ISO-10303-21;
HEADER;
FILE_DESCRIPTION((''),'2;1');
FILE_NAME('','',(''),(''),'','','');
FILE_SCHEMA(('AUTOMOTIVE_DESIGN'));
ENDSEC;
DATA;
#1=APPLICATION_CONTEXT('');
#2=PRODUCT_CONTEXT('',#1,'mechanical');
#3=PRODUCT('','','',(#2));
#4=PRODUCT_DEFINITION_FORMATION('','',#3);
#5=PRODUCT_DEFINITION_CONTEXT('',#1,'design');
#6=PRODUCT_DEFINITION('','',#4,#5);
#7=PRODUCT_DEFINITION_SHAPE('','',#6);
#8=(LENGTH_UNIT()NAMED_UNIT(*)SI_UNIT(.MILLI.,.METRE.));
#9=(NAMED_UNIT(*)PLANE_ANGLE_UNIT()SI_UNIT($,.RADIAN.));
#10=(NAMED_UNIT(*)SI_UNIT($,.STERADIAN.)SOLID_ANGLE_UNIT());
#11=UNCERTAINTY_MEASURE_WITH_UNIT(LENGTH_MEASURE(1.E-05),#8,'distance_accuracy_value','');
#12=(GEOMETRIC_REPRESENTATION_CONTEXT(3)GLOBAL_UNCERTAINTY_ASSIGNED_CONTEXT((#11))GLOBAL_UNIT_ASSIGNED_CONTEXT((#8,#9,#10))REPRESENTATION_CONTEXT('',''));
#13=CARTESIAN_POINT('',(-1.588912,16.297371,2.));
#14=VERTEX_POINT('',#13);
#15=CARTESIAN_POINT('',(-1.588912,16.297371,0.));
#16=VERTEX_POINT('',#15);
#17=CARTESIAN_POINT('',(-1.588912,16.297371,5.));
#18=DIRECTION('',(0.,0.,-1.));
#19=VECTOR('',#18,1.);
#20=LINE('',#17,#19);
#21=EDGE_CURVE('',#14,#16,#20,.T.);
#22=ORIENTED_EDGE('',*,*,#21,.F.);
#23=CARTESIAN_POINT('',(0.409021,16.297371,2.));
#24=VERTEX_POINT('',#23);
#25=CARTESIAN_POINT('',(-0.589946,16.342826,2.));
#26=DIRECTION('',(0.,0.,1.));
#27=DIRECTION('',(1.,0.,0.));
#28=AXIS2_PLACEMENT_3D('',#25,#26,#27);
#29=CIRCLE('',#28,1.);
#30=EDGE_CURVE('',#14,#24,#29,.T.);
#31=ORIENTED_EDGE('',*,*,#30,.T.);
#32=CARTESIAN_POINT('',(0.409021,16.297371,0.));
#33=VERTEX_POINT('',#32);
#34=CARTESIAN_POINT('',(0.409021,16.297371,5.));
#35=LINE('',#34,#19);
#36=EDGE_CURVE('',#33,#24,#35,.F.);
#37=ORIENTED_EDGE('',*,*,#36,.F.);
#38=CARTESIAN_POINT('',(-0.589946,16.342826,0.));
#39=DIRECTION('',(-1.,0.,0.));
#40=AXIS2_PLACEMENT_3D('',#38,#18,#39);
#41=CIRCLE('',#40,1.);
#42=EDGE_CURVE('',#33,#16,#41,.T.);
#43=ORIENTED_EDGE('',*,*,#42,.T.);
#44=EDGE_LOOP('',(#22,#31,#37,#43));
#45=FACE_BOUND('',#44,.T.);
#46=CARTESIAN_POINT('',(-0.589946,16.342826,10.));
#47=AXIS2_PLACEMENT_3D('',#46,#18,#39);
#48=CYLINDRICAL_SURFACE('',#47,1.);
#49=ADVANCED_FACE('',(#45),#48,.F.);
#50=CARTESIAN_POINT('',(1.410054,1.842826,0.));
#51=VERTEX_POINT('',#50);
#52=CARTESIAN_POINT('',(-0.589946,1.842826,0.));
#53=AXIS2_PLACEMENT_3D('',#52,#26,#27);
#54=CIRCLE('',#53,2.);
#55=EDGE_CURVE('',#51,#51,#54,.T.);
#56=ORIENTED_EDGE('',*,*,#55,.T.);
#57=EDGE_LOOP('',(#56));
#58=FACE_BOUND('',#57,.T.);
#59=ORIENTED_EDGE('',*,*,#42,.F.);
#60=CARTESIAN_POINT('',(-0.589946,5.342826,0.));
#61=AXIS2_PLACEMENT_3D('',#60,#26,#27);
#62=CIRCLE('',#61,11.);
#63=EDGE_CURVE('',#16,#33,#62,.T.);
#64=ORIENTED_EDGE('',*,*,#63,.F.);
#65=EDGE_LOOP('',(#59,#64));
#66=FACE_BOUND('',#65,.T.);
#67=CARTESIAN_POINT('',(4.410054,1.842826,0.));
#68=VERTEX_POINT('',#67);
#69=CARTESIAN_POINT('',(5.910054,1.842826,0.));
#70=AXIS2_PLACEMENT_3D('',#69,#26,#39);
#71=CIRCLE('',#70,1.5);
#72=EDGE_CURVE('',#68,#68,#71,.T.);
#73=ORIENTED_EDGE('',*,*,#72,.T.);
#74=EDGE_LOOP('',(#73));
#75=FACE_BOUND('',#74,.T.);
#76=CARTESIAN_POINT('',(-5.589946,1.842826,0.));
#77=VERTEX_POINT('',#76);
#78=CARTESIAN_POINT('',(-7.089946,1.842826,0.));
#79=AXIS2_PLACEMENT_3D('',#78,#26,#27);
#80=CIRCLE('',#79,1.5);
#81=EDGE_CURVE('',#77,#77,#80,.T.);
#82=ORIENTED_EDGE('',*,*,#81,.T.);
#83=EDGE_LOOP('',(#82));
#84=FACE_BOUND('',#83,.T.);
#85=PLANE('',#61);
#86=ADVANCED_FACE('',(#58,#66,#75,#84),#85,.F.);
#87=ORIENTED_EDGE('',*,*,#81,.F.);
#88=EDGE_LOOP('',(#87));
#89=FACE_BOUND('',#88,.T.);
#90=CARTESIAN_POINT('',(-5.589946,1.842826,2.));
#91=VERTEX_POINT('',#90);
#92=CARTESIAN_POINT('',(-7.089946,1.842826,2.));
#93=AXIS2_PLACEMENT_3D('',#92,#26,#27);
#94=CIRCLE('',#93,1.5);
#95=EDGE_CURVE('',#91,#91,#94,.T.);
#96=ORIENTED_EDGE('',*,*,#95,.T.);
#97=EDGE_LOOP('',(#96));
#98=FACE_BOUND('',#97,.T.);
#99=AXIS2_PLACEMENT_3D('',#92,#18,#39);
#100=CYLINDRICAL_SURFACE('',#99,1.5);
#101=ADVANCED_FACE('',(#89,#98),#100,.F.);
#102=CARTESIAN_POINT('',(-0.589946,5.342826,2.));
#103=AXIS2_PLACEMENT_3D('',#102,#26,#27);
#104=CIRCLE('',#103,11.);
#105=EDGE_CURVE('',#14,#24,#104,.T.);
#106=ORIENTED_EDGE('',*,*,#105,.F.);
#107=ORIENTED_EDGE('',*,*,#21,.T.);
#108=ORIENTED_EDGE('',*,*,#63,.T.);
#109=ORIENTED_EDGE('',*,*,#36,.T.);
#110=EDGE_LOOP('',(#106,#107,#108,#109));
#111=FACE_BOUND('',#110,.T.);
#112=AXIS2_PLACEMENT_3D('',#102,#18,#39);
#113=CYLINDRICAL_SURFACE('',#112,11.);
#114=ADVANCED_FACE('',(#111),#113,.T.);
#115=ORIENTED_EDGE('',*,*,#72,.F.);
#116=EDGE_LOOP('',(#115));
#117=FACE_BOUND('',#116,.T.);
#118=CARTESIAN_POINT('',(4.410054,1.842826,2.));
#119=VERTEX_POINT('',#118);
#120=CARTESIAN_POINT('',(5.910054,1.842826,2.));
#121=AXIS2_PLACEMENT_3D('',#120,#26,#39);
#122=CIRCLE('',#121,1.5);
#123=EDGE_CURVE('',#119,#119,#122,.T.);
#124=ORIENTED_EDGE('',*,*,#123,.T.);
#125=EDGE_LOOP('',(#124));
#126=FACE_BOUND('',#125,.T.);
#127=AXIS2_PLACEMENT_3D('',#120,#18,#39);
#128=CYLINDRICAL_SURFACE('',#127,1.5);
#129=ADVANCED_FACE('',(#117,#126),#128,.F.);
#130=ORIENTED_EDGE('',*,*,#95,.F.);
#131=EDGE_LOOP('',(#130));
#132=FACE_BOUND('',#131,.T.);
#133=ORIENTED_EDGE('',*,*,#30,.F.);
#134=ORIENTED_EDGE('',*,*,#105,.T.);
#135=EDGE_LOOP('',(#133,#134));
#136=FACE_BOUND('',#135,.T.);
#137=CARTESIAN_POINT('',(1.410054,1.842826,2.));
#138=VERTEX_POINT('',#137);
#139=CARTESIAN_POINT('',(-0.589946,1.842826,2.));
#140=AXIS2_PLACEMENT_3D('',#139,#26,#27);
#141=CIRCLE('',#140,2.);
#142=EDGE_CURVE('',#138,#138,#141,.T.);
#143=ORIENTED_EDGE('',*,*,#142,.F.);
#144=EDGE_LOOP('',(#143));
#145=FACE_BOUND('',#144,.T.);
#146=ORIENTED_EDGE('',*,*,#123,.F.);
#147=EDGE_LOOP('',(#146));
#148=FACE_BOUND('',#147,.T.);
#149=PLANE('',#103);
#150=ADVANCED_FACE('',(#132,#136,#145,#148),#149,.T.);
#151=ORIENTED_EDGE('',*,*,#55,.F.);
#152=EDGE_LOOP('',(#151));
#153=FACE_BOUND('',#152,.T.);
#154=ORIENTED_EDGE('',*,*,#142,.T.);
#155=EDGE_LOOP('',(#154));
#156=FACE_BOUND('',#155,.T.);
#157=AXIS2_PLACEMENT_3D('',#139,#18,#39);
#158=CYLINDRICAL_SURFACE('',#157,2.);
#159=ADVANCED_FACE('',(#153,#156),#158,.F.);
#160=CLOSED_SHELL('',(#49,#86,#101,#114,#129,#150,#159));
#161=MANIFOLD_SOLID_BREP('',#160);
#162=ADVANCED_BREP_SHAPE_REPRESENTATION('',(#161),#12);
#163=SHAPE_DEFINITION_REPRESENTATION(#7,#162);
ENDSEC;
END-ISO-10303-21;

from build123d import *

# Parameters (mm, degrees)
SKETCH_1_R          = 11
SKETCH_1_R_2        = 1.5
SKETCH_1_R_3        = 2
EXTRUDE_1_DEPTH     = 2
SKETCH_2_R          = 1
CUT_EXTRUDE_1_DEPTH = 10


with BuildPart() as part:
    # 草图1 → 凸台-拉伸1 (new body)
    with BuildSketch(Plane.XY):
        with Locations((-0.589945763, 5.342825614)):
            Circle(SKETCH_1_R)
        with Locations((-7.089945763, 1.842825614)):
            Circle(SKETCH_1_R_2, mode=Mode.SUBTRACT)
        with Locations(Location((5.910054237, 1.842825614, 0), (0, 0, 180))):
            Circle(SKETCH_1_R_2, mode=Mode.SUBTRACT)
        with Locations((-0.589945763, 1.842825614)):
            Circle(SKETCH_1_R_3, mode=Mode.SUBTRACT)
    extrude(amount=EXTRUDE_1_DEPTH)

    # 草图2 → 切除-拉伸1 (cut)
    with BuildSketch(Plane(origin=(0, 0, 0), x_dir=(-1, 0, 0), z_dir=(0, 0, -1))):
        with Locations((0.589945763, 16.342825614)):
            Circle(SKETCH_2_R)
    extrude(amount=-CUT_EXTRUDE_1_DEPTH, mode=Mode.SUBTRACT)


solid = part.part
